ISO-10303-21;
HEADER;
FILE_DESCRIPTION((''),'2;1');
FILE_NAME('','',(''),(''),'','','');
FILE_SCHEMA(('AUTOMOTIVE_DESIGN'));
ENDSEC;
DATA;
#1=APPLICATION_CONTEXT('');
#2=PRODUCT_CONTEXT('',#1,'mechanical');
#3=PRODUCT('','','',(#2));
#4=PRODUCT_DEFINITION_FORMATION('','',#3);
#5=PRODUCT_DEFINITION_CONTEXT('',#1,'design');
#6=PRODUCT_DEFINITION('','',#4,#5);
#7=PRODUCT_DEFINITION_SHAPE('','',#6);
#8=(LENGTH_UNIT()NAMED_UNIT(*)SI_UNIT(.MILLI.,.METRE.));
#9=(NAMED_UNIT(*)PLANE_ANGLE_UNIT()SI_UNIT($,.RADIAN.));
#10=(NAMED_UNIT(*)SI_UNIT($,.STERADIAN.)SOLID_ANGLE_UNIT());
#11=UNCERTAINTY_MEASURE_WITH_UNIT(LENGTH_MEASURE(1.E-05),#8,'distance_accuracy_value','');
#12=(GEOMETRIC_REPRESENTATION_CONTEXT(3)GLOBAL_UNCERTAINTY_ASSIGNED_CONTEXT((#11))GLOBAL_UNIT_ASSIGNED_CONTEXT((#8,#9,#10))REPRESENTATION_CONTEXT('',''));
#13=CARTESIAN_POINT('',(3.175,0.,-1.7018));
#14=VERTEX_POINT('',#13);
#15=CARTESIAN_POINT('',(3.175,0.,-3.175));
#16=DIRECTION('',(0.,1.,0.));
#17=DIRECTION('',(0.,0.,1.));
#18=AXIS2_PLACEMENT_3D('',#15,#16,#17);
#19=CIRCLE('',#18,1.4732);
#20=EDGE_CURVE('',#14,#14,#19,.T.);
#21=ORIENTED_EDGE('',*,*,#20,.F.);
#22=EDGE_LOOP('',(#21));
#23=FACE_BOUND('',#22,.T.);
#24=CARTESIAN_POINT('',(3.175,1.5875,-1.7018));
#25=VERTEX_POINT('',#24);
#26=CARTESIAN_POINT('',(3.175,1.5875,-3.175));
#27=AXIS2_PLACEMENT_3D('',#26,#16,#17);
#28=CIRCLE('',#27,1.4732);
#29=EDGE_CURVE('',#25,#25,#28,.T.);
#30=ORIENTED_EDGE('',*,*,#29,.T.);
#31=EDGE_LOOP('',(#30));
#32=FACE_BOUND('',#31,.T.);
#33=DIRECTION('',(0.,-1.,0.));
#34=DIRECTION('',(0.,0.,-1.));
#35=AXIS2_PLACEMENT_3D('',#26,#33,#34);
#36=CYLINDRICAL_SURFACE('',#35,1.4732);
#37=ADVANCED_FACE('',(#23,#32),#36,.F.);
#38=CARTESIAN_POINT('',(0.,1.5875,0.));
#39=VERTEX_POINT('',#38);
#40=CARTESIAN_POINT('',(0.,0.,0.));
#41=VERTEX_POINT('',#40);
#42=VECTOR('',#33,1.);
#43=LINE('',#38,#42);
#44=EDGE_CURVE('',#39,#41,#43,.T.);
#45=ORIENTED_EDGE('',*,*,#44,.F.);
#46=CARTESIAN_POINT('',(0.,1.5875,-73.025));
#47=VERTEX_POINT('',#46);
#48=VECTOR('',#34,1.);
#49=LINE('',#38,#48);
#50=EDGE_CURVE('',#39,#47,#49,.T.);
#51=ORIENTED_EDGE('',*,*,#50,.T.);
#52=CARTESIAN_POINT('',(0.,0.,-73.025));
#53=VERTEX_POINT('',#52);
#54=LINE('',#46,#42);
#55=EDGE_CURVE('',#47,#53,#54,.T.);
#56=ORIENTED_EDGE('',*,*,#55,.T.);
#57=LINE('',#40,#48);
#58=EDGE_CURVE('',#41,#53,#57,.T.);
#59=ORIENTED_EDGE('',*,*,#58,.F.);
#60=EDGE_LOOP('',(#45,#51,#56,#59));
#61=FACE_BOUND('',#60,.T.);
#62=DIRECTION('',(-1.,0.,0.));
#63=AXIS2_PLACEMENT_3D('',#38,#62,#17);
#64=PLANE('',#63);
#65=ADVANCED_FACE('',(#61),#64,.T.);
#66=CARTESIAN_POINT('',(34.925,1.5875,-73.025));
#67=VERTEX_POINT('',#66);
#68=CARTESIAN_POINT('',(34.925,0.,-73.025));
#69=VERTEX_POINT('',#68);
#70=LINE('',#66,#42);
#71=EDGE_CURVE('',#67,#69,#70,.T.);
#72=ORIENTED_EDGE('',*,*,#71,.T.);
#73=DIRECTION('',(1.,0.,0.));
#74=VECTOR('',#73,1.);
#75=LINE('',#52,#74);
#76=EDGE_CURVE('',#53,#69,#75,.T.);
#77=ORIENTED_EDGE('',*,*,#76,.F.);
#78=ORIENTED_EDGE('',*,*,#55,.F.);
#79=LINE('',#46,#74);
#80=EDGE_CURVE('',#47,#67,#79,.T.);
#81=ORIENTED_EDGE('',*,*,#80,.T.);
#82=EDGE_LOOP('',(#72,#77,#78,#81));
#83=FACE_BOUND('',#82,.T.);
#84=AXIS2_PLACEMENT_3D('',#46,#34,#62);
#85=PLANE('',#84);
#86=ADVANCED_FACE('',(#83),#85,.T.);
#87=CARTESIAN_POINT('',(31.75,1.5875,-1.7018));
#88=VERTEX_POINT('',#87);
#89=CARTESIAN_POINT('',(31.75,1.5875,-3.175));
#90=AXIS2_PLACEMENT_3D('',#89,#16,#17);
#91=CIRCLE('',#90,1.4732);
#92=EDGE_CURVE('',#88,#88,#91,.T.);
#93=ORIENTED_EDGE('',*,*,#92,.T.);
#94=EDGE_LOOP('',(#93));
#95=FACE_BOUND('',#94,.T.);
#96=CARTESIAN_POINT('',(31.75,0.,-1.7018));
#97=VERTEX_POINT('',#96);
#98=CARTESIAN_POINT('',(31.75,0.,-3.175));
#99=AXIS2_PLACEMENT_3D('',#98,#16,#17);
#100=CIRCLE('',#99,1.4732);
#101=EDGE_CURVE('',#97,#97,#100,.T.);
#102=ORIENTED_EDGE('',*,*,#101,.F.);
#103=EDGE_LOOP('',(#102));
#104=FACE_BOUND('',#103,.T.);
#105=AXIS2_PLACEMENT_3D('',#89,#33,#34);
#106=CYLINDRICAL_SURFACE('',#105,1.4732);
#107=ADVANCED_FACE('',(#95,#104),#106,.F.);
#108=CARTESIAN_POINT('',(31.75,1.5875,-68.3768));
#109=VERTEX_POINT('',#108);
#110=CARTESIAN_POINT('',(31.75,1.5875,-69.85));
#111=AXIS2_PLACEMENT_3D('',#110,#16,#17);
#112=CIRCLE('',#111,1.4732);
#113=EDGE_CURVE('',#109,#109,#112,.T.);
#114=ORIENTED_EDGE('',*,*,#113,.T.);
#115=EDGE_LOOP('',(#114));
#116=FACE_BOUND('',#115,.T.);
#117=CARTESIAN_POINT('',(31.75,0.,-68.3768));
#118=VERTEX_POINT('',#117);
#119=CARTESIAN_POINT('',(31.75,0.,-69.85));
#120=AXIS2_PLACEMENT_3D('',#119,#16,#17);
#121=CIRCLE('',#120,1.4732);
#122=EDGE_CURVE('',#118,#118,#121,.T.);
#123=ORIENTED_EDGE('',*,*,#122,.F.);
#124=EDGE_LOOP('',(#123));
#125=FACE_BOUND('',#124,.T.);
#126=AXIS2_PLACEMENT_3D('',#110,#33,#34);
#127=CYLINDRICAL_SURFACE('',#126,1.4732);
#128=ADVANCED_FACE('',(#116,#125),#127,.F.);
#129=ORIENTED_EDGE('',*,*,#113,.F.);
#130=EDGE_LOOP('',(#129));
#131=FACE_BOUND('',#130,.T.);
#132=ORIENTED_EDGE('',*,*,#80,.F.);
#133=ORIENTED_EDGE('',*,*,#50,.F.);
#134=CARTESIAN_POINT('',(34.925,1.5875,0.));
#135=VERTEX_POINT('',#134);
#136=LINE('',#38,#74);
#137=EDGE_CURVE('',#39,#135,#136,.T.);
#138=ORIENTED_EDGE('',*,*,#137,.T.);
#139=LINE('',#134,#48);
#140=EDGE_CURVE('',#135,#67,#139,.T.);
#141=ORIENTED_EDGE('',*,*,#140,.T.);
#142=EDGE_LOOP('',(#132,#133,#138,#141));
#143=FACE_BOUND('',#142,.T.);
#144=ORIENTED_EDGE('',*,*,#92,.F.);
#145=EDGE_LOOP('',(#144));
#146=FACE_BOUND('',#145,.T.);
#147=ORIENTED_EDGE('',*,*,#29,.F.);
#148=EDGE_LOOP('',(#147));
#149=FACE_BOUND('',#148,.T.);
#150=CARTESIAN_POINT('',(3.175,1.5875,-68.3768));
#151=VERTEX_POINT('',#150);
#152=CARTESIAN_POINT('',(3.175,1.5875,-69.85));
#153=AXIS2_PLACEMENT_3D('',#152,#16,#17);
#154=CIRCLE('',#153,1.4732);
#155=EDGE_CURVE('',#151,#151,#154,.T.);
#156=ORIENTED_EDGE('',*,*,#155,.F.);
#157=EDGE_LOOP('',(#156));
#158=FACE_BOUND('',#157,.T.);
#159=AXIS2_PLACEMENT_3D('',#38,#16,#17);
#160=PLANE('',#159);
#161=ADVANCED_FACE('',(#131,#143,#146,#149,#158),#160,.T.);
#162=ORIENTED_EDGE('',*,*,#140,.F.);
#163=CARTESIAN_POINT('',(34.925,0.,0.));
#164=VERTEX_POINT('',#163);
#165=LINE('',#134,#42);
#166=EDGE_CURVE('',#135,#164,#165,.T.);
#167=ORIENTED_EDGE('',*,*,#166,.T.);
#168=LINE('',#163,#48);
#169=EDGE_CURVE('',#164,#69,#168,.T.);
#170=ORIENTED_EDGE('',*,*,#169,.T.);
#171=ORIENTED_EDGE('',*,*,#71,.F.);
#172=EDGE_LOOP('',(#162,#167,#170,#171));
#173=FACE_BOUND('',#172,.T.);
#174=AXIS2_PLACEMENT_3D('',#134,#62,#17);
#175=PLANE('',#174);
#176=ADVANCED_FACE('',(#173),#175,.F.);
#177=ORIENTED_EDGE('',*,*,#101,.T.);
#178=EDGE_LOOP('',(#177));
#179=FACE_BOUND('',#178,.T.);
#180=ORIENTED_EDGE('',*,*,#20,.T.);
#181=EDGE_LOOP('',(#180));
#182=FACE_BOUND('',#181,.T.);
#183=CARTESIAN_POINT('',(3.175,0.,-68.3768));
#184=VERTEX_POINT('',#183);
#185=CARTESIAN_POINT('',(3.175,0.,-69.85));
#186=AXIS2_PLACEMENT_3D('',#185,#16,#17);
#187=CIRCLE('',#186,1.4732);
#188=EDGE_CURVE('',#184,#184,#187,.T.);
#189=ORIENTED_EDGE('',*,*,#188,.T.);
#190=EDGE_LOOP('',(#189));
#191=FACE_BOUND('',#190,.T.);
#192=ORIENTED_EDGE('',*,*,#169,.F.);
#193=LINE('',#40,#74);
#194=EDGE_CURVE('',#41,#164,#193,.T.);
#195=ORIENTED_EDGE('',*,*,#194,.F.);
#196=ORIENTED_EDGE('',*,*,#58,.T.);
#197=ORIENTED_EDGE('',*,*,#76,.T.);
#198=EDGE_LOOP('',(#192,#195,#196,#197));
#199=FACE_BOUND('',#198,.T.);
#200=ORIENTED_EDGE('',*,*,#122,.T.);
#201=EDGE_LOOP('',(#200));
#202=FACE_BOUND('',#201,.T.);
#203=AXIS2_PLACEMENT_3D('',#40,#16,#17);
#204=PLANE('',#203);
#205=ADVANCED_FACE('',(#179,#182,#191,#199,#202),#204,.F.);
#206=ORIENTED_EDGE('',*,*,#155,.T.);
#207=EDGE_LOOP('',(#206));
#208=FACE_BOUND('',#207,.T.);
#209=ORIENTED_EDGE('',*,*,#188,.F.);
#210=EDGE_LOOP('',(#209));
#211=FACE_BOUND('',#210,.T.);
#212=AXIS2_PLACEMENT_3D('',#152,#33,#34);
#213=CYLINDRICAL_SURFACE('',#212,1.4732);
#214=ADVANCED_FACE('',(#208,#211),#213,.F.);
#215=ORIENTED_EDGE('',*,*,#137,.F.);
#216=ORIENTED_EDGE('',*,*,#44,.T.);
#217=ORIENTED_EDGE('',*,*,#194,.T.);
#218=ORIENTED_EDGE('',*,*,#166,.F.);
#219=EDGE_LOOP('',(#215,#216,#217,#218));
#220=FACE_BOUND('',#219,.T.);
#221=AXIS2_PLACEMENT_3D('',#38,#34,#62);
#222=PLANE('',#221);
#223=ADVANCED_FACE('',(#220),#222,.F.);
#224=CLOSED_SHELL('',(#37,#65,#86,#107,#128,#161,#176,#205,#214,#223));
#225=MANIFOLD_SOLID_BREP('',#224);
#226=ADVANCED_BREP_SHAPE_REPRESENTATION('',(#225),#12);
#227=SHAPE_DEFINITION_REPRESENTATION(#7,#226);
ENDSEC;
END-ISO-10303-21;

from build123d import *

# Parameters (mm, degrees)
SKETCH1_W           = 34.925
SKETCH1_H           = 73.025
BOSS_EXTRUDE1_DEPTH = 1.5875
SKETCH1_4_R         = 1.4732
CUT_EXTRUDE1_DEPTH  = 1.5875


with BuildPart() as part:
    # Sketch1 → Boss-Extrude1 (new body)
    with BuildSketch(Plane(origin=(0, 0, 0), x_dir=(1, 0, 0), z_dir=(0, 1, 0))):
        with Locations((17.4625, 36.5125)):
            Rectangle(SKETCH1_W, SKETCH1_H)
    extrude(amount=BOSS_EXTRUDE1_DEPTH)

    # Sketch1<4> → Cut-Extrude1 (cut)
    with BuildSketch(Plane(origin=(0, 0, 0), x_dir=(1, 0, 0), z_dir=(0, 1, 0))):
        with Locations((3.175, 69.85)):
            Circle(SKETCH1_4_R)
        with Locations((31.75, 69.85)):
            Circle(SKETCH1_4_R)
        with Locations((3.175, 3.175)):
            Circle(SKETCH1_4_R)
        with Locations((31.75, 3.175)):
            Circle(SKETCH1_4_R)
    extrude(amount=CUT_EXTRUDE1_DEPTH, mode=Mode.SUBTRACT)


solid = part.part
